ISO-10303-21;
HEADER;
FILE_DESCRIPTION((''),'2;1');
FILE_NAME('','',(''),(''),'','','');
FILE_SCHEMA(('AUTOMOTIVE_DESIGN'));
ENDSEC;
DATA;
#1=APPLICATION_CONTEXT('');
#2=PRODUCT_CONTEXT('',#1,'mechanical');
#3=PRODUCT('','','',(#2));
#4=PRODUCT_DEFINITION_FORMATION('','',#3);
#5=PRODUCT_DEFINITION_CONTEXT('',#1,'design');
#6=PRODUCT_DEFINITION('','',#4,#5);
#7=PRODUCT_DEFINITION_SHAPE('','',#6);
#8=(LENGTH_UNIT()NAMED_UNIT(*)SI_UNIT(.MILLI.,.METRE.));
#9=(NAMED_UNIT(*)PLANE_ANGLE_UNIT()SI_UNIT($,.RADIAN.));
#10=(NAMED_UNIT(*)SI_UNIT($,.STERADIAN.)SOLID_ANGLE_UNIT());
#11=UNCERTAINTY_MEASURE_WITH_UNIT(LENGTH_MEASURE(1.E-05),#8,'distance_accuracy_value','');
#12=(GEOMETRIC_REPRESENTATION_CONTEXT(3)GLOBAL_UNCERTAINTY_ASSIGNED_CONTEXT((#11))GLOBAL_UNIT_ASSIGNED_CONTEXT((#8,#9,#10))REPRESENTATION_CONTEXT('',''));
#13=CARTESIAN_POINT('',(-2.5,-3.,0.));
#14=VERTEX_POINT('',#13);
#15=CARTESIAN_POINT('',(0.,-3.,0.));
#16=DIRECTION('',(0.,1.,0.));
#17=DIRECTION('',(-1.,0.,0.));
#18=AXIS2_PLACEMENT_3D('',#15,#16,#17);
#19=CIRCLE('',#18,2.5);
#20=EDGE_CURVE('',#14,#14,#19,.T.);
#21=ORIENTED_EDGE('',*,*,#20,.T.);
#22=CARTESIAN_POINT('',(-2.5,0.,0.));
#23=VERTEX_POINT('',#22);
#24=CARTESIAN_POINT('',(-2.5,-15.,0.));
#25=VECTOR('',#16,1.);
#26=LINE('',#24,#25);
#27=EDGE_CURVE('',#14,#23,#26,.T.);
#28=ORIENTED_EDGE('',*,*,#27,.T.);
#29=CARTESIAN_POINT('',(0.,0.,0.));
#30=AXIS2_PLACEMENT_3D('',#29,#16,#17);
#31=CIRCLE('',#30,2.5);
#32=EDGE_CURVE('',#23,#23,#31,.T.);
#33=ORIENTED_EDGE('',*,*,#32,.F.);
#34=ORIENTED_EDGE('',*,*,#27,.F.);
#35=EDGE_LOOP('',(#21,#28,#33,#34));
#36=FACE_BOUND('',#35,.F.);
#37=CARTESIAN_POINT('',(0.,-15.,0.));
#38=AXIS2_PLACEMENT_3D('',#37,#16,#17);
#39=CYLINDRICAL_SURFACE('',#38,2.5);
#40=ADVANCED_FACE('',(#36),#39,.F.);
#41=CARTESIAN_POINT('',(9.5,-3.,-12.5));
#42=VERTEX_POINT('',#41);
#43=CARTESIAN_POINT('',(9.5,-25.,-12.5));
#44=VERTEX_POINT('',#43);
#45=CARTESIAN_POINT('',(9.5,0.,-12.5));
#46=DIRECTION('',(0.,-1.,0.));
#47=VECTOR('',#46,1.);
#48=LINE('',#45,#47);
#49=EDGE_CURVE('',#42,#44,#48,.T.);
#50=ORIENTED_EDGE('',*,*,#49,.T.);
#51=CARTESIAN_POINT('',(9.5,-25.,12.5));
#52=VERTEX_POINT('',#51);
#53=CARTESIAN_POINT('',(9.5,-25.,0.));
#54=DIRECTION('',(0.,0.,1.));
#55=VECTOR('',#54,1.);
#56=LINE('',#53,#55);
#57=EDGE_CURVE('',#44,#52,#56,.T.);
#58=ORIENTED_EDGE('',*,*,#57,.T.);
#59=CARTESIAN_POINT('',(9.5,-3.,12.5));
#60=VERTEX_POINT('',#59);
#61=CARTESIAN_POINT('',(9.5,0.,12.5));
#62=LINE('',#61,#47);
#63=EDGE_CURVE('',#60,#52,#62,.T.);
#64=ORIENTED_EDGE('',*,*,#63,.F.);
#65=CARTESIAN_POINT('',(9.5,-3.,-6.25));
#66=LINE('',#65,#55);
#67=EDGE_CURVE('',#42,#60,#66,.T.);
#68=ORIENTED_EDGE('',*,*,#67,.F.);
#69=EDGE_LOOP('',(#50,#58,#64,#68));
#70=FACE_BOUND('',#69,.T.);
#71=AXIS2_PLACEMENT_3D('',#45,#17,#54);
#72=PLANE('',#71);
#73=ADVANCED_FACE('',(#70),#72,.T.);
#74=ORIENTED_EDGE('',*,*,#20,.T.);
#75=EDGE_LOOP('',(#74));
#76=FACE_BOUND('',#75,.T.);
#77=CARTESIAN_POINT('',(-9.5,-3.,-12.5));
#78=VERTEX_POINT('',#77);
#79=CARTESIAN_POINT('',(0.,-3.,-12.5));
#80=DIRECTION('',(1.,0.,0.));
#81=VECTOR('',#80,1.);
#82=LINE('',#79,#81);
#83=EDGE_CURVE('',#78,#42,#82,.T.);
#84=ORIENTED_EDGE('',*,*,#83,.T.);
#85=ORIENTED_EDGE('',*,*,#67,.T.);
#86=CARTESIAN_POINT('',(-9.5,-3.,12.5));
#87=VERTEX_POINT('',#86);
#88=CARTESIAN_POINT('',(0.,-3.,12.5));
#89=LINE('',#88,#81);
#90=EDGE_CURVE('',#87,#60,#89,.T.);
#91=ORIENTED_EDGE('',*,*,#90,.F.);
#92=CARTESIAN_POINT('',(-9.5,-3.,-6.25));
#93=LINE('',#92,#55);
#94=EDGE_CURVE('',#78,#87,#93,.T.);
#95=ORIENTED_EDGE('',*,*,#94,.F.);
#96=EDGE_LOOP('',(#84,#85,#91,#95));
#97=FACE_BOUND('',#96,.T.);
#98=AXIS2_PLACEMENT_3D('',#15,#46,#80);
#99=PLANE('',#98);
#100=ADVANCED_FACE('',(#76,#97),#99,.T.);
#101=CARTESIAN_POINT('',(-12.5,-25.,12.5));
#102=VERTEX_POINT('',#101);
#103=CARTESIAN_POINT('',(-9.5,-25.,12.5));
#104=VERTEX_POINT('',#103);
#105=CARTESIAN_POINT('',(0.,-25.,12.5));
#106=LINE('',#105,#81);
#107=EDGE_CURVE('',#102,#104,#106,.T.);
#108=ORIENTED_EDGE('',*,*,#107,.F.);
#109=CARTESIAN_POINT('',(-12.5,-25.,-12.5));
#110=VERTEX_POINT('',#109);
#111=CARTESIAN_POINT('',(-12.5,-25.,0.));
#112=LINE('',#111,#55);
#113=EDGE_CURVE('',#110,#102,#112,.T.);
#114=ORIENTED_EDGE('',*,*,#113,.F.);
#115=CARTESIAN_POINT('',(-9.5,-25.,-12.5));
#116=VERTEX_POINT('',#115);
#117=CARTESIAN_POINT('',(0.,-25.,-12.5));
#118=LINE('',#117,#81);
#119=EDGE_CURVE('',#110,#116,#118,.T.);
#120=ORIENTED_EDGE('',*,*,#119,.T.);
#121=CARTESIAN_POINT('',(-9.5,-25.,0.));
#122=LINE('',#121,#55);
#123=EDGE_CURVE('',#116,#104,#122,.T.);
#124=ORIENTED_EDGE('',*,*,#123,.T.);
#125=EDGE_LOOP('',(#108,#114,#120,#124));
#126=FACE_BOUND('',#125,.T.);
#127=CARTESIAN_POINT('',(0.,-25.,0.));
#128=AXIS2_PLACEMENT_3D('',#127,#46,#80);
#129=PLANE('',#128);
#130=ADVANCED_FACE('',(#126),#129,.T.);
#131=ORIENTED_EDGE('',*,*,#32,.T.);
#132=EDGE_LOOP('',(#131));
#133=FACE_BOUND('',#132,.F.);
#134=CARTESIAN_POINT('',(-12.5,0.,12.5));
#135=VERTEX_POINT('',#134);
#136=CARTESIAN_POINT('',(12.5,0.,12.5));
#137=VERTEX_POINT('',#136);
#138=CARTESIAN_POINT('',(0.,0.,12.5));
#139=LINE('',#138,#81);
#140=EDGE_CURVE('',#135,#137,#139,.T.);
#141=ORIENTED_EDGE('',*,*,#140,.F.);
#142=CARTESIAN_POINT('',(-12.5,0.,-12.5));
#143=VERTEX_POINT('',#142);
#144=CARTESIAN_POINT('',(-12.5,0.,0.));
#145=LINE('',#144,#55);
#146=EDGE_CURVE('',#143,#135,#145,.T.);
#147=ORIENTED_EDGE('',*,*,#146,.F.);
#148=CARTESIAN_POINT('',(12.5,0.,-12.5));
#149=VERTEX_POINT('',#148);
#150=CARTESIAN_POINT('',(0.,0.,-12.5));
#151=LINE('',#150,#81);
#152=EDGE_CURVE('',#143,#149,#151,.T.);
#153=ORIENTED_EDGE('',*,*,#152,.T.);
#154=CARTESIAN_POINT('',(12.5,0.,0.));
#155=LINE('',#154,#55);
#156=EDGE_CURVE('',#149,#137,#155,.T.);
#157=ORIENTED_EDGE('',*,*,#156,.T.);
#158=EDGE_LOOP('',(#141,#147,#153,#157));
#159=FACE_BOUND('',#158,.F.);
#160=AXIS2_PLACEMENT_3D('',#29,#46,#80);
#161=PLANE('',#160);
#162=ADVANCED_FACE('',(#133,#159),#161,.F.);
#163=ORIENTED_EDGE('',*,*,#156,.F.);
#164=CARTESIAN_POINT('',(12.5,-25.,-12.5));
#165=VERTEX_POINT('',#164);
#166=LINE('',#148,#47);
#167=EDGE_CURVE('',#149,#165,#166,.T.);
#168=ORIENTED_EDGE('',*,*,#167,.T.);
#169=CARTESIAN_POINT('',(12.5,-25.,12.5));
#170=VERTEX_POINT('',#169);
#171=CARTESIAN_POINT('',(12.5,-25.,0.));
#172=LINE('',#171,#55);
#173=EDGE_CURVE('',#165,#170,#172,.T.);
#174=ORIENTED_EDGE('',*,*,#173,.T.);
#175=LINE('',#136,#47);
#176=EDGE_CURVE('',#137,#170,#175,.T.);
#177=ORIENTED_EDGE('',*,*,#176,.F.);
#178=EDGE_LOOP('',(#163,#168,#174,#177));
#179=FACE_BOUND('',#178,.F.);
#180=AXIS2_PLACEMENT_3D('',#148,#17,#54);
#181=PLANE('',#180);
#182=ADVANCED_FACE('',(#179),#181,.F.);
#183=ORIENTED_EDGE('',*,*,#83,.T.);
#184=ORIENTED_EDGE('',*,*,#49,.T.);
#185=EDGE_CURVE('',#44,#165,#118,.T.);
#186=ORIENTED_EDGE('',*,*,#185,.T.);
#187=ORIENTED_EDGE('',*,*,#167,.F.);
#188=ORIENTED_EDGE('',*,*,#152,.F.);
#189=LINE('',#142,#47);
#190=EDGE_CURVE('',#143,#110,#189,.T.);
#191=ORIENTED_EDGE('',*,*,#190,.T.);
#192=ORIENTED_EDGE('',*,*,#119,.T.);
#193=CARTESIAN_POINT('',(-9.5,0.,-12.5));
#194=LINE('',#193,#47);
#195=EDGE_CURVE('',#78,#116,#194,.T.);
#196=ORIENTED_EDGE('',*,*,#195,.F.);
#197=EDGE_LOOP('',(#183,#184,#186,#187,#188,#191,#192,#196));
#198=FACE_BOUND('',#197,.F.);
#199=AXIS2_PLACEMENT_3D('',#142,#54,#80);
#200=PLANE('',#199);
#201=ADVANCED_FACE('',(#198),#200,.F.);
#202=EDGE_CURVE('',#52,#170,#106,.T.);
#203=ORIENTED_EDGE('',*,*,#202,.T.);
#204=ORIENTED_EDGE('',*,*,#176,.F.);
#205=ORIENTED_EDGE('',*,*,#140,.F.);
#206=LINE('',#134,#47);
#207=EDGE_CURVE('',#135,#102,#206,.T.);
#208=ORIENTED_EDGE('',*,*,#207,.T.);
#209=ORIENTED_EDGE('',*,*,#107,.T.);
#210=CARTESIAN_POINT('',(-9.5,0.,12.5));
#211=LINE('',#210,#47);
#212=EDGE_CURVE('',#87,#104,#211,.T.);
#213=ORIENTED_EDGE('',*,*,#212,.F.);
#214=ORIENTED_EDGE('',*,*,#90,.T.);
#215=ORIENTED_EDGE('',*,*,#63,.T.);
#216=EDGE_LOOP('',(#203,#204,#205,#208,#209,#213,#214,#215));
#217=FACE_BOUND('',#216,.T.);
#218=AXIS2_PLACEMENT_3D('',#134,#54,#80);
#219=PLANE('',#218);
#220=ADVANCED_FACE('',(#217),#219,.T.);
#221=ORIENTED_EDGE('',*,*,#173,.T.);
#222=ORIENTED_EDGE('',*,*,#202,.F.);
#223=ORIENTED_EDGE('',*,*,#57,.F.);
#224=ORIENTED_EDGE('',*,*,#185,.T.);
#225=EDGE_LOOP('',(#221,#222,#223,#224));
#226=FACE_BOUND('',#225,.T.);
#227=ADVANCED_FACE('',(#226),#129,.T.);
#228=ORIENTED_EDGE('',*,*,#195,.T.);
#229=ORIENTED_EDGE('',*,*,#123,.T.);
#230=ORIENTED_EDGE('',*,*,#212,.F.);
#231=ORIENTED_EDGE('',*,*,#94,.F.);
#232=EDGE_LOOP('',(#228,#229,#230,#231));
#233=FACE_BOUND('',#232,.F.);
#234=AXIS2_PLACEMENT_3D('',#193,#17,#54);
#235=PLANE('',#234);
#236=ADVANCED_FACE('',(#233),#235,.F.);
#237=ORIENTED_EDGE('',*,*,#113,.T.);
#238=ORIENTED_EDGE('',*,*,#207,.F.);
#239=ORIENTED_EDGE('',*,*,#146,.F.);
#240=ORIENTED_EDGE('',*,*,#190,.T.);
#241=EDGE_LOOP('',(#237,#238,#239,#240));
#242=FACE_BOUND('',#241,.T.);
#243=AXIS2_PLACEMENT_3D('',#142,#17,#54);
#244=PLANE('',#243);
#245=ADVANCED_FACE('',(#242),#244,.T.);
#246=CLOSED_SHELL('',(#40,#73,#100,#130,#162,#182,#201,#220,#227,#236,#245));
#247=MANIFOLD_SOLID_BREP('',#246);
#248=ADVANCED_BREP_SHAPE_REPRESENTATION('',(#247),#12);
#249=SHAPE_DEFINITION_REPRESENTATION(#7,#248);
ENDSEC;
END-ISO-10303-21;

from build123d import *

# Parameters (mm, degrees)
F0_W     = 25
F0_H     = 25
F1_DEPTH = 25
F2_T     = -3
F4_D     = 5
F4_DEPTH = 12
F4_TIP   = 1.5021515476


with BuildPart() as f1:
    # F0 (on Front) → F1 (new body)
    with BuildSketch(Plane.XZ):
        Rectangle(F0_W, F0_H)
    extrude(amount=F1_DEPTH)

    # F2
    f2_openings = [f1.faces().sort_by_distance(p)[0] for p in [
        (0, -25, 0),
        (0, -12.5, -12.5),
        (0, -12.5, 12.5),
    ]]
    offset(amount=F2_T, openings=f2_openings)

    # F4
    with Locations(Plane.XZ.offset(3)):
        with Locations((0, 0)):
            Hole(F4_D / 2, depth=F4_DEPTH)
            with Locations((0, 0, -(F4_DEPTH + F4_TIP / 2))):  # 118° drill point
                Cone(0, F4_D / 2, F4_TIP, mode=Mode.SUBTRACT)


solid = f1.part
